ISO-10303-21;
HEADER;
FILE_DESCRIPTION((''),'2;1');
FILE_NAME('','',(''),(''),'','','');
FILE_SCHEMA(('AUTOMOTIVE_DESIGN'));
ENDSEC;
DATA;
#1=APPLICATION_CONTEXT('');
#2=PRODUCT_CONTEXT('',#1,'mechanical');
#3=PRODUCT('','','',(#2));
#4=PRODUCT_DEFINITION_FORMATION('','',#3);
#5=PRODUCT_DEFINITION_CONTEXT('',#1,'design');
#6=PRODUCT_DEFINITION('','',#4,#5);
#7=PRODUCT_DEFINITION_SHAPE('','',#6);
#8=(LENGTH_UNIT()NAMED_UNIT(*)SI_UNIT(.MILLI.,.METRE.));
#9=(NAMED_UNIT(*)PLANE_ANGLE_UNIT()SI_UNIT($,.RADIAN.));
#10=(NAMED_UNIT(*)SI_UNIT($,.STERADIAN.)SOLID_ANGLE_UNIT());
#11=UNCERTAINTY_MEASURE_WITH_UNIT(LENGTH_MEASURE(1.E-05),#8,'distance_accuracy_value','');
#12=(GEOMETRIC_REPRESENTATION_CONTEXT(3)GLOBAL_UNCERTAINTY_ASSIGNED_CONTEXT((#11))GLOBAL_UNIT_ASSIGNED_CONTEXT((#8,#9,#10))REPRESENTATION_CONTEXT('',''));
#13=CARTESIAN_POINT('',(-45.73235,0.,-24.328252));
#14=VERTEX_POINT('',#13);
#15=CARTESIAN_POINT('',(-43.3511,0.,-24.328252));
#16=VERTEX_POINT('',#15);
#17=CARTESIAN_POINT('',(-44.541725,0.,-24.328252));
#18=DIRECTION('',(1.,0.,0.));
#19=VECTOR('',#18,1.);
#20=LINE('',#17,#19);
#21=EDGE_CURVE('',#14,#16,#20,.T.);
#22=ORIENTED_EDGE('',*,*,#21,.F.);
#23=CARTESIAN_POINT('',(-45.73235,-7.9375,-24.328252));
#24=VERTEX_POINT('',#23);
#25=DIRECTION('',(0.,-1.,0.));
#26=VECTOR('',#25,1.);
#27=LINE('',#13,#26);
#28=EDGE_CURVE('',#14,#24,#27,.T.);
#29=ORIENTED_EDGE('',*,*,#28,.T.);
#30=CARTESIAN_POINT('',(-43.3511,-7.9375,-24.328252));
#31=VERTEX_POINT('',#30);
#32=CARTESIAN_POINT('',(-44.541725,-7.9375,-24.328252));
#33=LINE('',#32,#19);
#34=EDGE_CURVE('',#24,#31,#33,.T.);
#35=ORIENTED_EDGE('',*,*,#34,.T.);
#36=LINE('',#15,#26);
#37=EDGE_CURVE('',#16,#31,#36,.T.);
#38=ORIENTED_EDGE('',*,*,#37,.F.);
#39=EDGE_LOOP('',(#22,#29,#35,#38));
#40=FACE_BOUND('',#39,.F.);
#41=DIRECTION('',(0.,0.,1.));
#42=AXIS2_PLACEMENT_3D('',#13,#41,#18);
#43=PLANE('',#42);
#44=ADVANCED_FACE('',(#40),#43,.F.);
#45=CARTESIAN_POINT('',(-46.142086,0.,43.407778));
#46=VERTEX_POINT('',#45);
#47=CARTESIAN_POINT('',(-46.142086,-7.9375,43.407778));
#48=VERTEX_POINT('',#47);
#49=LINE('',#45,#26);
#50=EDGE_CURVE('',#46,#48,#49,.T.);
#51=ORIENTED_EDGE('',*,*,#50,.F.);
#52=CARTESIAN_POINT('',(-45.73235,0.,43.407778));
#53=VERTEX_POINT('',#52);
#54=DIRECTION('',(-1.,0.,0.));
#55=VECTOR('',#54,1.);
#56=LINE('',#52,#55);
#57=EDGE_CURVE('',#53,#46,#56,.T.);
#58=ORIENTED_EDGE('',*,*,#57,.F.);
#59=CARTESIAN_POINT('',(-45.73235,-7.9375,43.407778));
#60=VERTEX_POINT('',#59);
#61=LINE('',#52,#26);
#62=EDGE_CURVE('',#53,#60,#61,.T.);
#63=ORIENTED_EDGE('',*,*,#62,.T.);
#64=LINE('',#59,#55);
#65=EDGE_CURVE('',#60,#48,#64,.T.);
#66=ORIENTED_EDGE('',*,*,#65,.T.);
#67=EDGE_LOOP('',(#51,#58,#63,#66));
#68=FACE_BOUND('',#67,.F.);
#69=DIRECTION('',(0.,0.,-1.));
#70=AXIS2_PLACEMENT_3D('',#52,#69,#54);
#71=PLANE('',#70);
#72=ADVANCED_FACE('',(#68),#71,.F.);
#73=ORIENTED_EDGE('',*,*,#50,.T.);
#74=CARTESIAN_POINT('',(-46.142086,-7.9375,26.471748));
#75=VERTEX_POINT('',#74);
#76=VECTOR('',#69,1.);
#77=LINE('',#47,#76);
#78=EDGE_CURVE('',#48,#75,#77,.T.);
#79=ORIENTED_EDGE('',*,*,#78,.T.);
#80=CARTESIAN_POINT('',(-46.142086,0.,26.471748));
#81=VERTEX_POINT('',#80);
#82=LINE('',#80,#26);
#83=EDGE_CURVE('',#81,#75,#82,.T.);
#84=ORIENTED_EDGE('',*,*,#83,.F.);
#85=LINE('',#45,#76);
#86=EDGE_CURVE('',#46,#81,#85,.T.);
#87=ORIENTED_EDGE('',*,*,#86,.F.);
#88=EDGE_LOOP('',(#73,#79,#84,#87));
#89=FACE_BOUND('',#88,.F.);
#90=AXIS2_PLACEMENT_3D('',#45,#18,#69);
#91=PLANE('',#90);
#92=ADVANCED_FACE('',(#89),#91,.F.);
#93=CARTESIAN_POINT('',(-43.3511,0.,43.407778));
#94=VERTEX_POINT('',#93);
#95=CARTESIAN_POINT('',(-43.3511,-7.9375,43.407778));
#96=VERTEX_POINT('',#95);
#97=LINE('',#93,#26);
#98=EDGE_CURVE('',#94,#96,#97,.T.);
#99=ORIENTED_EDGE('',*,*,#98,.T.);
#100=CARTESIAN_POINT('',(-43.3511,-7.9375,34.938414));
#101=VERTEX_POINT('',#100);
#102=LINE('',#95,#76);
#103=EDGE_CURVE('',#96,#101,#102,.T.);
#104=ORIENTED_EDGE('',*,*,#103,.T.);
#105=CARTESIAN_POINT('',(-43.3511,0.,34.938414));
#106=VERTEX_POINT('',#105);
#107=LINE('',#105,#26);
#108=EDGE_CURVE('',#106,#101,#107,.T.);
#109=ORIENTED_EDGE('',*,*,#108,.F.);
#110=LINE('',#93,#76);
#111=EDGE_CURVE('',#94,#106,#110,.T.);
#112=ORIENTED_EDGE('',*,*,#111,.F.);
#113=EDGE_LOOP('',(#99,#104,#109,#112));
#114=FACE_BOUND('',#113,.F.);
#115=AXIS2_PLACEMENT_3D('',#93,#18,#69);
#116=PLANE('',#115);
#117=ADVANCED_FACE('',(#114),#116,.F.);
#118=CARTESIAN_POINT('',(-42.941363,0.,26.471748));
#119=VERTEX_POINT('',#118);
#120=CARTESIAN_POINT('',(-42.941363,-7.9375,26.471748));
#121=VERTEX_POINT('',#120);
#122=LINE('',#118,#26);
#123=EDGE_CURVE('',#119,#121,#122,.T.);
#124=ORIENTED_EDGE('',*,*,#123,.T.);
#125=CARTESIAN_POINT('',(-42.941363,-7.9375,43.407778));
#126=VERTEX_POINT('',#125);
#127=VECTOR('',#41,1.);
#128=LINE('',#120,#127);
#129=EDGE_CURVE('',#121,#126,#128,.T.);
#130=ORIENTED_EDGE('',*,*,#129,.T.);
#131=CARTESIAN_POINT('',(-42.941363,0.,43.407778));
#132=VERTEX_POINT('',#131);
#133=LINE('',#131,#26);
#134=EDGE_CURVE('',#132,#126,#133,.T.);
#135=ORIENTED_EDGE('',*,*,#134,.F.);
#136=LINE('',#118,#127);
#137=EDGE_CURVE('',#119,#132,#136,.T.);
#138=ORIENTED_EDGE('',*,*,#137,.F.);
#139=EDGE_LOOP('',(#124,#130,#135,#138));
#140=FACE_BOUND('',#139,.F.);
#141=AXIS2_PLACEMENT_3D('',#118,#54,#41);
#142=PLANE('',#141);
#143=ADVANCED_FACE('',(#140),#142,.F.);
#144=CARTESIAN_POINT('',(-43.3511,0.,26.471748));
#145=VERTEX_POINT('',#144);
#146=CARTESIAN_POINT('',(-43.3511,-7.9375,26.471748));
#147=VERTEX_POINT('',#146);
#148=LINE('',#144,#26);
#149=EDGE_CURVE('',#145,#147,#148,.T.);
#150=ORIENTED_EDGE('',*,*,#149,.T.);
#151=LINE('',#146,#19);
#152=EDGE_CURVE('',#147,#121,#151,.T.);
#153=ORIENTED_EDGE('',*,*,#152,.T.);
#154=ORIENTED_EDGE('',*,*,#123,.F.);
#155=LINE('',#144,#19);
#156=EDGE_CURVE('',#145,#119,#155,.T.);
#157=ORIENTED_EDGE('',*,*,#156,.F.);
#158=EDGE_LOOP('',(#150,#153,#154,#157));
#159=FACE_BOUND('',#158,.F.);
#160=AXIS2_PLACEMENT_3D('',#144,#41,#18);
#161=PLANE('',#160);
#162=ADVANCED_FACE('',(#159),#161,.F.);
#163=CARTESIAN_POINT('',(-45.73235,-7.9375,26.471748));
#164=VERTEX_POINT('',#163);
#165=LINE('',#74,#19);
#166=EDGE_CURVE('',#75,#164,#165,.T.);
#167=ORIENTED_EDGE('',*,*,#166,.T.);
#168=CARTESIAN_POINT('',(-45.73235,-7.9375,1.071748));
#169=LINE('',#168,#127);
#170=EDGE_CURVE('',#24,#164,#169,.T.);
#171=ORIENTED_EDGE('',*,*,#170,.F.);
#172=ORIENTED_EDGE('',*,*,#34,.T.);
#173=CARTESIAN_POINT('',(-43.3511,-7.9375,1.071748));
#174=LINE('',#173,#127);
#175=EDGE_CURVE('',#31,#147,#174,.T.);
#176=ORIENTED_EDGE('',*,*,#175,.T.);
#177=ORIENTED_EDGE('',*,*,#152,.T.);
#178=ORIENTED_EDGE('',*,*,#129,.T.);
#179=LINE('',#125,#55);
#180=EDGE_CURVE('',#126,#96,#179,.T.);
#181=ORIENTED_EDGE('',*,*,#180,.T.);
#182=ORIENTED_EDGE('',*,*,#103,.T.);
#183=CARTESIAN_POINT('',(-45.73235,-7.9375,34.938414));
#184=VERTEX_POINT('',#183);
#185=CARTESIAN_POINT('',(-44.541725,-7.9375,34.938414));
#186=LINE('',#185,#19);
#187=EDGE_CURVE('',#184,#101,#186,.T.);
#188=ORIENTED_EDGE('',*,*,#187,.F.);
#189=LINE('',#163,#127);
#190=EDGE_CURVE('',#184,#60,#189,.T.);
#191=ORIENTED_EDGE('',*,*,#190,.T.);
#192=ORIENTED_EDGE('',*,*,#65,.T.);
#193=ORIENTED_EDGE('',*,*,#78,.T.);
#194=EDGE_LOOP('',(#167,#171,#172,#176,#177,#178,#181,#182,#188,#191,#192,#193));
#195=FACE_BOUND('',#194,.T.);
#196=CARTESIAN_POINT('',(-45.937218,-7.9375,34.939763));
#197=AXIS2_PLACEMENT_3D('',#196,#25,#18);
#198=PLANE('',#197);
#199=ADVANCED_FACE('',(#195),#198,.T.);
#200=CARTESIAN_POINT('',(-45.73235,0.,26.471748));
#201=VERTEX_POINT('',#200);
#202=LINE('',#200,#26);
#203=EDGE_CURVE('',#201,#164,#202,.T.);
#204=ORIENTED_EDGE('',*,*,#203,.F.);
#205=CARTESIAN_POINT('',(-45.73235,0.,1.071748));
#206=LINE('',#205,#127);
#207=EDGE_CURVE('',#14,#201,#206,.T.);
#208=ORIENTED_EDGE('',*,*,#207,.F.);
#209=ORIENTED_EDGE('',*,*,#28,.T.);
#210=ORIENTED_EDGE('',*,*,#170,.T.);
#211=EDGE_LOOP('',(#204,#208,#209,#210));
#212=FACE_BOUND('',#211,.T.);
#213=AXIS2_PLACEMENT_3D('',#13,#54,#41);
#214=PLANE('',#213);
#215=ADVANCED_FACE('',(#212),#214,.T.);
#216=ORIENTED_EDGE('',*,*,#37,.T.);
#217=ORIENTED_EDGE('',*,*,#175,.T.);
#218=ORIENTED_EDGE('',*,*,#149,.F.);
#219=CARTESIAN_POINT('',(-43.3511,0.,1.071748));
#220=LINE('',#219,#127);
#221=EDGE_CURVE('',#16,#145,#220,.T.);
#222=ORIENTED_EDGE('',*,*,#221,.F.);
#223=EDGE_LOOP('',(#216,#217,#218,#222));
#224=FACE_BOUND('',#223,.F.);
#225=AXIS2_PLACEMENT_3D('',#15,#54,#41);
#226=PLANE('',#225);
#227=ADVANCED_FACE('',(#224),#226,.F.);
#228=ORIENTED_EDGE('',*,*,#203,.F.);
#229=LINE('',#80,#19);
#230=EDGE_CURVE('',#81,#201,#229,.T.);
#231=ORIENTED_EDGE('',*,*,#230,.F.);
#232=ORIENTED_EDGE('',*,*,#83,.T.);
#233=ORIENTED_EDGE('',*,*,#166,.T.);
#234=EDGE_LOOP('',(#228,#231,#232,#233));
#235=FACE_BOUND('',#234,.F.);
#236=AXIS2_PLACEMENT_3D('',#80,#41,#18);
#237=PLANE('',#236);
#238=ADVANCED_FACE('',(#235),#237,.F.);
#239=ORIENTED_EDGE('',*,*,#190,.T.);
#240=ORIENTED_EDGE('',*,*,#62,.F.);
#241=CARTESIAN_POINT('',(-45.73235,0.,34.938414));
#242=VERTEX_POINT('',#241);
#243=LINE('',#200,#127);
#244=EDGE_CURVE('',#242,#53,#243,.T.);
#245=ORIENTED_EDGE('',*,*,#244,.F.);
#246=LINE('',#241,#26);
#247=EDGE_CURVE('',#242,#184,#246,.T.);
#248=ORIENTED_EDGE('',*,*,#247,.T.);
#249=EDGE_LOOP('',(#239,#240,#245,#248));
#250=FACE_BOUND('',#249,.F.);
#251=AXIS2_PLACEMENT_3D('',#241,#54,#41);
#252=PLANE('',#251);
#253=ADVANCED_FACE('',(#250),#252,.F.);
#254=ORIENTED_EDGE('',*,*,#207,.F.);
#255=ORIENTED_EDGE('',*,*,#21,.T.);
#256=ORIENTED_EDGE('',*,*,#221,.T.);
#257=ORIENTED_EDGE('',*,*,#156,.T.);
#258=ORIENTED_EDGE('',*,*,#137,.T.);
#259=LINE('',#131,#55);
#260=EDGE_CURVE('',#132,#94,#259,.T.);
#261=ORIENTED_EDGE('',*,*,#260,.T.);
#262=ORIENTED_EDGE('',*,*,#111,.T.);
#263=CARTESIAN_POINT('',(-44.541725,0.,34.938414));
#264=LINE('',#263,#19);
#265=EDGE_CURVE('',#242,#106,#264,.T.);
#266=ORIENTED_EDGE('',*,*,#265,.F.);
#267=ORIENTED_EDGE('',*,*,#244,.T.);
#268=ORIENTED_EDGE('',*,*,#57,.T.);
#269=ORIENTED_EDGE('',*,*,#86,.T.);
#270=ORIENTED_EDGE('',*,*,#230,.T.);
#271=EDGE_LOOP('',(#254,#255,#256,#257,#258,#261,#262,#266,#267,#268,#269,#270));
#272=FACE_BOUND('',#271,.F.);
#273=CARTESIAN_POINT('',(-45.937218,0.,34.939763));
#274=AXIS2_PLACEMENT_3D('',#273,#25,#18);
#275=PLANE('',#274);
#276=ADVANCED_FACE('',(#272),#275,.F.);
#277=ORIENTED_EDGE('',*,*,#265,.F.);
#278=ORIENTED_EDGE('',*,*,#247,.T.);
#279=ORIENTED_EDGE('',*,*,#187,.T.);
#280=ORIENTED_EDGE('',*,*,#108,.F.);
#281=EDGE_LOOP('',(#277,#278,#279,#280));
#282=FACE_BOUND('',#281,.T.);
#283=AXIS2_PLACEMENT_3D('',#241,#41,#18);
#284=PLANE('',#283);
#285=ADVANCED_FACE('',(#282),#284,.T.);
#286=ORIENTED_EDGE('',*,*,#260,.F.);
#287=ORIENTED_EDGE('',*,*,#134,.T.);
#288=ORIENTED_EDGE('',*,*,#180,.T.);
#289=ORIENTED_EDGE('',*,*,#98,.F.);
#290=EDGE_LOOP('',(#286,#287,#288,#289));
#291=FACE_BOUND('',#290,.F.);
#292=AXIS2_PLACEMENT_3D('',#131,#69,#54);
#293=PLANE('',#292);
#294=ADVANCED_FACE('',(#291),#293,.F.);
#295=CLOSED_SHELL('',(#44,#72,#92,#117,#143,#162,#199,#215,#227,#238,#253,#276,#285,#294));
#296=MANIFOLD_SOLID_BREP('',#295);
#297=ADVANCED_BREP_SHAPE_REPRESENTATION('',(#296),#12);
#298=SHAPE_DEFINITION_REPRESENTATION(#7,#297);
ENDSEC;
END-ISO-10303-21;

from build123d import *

# Parameters (mm, degrees)
F0_W     = 2.38125
F0_H     = 50.8
F0_H_2   = 8.466666
F1_DEPTH = 7.9375


with BuildPart() as f1:
    # F0 (on Front) → F1 (new body)
    with BuildSketch(Plane.XZ):
        Polygon((-45.73235, 26.471748), (-45.73235, 34.938414), (-45.73235, 43.407778), (-46.142086, 43.407778), (-46.142086, 26.471748), align=None)
        Polygon((-43.3511, 43.407778), (-43.3511, 34.938414), (-43.3511, 26.471748), (-42.941363, 26.471748), (-42.941363, 43.407778), align=None)
        with Locations((-44.541725, 1.071748)):
            Rectangle(F0_W, F0_H)
        with Locations((-44.541725, 30.705081)):
            Rectangle(F0_W, F0_H_2)
    extrude(amount=F1_DEPTH)


solid = f1.part
